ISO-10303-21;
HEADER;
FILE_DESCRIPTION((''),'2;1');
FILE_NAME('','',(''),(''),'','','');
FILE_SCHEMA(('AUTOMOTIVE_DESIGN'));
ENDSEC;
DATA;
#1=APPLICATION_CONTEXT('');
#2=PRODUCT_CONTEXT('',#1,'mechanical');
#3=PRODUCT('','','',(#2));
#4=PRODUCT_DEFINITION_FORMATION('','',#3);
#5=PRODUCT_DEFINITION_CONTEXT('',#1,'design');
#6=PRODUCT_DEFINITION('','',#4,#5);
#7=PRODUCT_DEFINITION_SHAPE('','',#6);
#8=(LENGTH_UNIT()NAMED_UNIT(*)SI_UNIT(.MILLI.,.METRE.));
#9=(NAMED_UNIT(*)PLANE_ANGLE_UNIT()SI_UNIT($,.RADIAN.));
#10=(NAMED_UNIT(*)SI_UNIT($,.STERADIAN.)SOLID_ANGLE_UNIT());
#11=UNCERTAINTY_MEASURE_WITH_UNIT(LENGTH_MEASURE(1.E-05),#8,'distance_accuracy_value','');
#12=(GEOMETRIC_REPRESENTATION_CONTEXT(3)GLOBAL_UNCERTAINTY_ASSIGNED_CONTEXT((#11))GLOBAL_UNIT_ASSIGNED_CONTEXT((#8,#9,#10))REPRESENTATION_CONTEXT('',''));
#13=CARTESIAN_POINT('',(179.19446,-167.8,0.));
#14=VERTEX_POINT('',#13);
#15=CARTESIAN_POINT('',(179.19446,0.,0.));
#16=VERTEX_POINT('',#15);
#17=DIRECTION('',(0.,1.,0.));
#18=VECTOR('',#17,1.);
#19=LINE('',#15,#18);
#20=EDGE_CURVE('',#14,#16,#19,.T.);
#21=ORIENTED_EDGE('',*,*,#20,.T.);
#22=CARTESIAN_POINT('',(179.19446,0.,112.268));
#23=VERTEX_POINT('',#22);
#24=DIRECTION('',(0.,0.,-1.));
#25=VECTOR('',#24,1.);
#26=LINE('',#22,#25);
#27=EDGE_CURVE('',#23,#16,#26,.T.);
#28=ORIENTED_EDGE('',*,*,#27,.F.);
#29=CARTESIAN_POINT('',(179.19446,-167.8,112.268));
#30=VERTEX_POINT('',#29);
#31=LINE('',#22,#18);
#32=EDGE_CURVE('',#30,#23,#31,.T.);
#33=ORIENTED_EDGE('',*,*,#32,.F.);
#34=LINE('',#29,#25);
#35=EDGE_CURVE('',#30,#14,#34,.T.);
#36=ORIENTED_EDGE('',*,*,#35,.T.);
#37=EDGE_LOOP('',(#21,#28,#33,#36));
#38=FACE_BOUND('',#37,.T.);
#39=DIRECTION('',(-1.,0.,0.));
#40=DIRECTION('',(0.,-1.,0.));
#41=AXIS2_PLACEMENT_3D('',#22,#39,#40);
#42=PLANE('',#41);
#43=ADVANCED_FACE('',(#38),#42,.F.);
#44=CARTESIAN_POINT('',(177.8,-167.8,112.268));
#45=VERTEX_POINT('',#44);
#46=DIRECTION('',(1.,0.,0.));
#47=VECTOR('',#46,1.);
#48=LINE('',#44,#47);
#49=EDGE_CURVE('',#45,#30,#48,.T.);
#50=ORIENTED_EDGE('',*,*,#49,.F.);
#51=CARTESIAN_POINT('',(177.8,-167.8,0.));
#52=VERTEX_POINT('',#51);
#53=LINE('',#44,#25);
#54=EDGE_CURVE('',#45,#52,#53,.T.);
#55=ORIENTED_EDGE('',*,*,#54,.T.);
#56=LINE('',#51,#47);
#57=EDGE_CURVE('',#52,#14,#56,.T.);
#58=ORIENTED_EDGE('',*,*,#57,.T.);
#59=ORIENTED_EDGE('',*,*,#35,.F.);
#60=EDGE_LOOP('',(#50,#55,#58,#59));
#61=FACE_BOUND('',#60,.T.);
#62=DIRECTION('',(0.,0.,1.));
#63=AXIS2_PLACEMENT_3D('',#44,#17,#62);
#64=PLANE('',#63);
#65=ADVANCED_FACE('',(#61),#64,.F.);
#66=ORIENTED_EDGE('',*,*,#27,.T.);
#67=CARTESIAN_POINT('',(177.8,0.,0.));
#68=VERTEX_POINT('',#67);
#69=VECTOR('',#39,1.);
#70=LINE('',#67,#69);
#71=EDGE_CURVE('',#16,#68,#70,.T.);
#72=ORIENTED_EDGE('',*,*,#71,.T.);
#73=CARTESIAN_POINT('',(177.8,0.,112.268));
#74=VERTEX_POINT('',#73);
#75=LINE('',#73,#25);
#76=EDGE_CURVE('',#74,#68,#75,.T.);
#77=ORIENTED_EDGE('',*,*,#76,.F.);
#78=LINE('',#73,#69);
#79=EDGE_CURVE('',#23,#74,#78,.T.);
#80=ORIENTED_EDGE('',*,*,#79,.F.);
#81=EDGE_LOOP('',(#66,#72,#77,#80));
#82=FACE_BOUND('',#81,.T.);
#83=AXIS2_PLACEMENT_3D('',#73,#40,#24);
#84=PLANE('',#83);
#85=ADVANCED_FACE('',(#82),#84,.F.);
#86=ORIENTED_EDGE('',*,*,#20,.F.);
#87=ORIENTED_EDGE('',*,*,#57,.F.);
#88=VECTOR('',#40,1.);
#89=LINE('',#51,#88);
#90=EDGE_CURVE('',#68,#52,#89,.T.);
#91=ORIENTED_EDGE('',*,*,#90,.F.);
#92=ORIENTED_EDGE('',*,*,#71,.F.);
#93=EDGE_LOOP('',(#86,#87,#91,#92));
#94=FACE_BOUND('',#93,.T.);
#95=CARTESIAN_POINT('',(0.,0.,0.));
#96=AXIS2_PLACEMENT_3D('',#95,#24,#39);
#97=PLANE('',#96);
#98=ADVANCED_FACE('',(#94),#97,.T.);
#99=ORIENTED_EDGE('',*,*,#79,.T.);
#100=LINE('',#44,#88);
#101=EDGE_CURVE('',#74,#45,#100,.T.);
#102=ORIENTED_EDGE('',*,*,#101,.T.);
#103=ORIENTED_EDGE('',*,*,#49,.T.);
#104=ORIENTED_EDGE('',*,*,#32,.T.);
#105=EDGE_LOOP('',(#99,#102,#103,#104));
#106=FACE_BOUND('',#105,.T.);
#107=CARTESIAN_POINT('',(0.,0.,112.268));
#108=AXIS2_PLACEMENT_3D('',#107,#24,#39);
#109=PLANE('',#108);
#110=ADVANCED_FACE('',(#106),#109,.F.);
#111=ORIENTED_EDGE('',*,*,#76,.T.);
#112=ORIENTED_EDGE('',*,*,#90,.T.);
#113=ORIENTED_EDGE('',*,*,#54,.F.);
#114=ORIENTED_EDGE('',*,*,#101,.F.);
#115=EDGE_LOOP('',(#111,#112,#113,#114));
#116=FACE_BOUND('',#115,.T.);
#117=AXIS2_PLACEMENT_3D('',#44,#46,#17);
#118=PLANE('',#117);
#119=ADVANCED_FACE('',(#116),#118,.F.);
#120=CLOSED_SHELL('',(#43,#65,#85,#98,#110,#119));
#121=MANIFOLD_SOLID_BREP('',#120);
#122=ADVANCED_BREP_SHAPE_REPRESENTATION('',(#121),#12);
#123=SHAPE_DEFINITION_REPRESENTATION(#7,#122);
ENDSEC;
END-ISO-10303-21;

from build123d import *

# Parameters (mm, degrees)
SKETCH1_W           = 1.39446
SKETCH1_H           = 167.8
BOSS_EXTRUDE1_DEPTH = 112.268


with BuildPart() as part:
    # Sketch1 → Boss-Extrude1 (new body)
    with BuildSketch(Plane.XY):
        with Locations((178.49723, -83.9)):
            Rectangle(SKETCH1_W, SKETCH1_H)
    extrude(amount=BOSS_EXTRUDE1_DEPTH)


solid = part.part
